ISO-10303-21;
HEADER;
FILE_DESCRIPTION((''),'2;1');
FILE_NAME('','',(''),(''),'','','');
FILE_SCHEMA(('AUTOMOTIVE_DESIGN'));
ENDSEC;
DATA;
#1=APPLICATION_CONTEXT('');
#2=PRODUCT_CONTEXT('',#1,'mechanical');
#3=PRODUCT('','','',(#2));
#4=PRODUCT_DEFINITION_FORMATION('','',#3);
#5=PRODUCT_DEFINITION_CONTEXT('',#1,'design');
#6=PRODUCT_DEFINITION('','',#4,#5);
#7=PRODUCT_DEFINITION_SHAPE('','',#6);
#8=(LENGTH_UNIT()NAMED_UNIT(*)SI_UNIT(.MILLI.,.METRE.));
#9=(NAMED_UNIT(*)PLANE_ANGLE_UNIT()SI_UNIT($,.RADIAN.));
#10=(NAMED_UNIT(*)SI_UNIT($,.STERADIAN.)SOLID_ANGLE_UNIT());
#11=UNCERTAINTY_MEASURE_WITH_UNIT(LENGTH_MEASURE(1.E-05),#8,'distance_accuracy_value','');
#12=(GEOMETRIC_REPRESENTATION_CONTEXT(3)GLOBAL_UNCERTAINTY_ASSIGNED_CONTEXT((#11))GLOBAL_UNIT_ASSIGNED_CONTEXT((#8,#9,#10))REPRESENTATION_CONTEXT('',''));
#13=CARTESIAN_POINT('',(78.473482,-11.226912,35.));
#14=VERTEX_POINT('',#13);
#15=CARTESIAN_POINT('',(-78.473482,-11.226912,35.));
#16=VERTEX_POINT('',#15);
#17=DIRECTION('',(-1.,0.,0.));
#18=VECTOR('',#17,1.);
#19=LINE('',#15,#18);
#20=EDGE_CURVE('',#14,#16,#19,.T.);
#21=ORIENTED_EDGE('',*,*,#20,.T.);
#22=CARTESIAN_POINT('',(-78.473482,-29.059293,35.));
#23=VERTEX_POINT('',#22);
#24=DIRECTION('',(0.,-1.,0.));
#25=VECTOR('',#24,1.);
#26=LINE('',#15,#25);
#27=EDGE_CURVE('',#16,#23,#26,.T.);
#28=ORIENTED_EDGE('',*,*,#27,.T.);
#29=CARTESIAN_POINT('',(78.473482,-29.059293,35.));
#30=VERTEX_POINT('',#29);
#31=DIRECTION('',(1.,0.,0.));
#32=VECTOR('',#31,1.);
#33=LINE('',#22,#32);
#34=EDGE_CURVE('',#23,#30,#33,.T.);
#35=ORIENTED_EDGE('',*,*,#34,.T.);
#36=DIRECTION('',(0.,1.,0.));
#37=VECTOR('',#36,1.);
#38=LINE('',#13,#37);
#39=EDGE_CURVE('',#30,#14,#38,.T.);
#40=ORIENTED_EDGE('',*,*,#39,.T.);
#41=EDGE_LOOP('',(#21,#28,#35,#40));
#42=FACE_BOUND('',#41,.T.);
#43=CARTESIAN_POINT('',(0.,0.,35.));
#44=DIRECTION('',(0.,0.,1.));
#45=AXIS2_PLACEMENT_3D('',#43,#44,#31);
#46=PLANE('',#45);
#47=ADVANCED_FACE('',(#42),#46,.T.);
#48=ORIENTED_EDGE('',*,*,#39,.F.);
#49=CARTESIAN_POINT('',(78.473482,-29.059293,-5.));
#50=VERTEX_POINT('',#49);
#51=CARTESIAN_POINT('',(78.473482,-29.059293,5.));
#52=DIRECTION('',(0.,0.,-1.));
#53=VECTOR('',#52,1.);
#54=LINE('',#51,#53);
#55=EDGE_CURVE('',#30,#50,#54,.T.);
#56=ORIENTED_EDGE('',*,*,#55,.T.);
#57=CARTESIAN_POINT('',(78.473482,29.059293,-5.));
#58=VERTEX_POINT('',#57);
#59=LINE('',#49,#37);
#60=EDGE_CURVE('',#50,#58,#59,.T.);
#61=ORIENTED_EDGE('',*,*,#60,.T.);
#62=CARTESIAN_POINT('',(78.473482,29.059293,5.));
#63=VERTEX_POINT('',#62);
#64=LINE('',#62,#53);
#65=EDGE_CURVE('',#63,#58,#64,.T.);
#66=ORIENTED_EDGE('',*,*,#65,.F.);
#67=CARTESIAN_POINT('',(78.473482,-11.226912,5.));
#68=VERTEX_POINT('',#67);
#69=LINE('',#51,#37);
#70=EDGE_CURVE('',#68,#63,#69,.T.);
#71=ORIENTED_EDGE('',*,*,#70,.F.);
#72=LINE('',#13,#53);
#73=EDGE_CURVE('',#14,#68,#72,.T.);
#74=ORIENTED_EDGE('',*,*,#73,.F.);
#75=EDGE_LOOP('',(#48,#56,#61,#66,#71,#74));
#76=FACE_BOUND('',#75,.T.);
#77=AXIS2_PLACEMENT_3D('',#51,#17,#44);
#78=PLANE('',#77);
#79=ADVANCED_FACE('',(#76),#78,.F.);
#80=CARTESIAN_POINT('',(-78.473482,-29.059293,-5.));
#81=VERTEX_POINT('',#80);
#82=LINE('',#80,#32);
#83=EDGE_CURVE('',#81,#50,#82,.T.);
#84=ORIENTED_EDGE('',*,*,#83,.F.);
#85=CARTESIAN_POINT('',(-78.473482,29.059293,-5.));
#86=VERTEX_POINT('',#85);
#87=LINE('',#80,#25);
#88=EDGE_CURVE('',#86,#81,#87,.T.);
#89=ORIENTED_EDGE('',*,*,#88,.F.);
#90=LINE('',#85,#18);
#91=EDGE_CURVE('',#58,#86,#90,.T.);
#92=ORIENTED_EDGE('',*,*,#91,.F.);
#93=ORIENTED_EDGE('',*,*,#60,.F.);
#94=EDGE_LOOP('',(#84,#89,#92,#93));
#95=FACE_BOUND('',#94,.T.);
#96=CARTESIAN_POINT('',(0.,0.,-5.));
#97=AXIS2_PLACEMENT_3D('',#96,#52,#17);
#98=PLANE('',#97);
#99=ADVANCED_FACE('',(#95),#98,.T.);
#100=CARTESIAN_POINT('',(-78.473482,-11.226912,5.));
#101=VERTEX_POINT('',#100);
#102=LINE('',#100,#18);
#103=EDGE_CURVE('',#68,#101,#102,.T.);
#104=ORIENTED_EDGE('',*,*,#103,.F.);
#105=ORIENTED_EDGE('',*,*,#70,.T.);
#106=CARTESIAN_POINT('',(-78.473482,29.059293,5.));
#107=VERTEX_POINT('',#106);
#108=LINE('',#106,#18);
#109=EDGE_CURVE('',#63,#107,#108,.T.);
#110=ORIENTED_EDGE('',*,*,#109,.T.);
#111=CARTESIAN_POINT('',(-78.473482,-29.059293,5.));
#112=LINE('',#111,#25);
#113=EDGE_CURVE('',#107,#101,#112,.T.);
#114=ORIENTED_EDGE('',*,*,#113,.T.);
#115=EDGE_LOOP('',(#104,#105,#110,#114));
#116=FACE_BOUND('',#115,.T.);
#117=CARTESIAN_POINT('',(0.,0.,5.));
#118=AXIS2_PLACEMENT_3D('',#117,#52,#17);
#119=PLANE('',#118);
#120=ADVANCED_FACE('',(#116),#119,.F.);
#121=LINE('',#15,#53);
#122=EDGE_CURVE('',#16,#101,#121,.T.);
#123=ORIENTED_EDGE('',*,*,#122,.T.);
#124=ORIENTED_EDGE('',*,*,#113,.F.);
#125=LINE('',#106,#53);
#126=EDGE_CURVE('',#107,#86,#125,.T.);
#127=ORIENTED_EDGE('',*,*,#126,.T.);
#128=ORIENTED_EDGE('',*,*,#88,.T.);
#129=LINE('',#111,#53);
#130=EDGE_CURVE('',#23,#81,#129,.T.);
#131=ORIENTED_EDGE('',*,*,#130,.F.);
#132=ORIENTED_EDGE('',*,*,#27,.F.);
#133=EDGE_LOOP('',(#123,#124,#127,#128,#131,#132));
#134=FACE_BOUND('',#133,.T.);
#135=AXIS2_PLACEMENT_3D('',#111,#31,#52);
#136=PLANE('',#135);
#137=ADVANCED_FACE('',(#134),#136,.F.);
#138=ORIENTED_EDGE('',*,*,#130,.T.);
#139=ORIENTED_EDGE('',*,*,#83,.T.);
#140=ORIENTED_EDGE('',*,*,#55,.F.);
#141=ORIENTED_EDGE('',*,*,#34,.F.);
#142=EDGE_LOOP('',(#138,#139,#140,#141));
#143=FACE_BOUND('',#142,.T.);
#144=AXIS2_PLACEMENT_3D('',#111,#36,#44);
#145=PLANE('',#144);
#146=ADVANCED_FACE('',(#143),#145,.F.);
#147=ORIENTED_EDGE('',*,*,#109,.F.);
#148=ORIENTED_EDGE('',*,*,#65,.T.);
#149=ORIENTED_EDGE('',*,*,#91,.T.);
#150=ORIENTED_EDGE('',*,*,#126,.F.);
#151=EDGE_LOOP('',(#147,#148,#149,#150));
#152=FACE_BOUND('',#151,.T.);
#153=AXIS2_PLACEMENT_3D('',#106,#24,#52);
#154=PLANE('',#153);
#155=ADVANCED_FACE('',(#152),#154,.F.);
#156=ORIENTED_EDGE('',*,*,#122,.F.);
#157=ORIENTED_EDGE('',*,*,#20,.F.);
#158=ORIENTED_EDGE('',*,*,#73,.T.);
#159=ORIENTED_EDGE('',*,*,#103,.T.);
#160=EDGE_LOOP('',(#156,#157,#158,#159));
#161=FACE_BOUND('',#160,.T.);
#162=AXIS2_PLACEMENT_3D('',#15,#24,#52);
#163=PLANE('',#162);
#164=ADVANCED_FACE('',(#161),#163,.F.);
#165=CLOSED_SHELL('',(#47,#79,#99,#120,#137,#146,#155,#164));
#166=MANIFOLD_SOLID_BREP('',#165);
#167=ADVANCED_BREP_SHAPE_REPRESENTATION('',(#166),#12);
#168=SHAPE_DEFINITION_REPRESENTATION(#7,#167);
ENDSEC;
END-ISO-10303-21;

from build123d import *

# Parameters (mm, degrees)
SKETCH_1_W      = 156.946964028
SKETCH_1_H      = 58.118585656
EXTRUDE_1_DEPTH = 5
SKETCH_2_W      = 156.946964028
SKETCH_2_H      = 17.832381092
EXTRUDE_2_DEPTH = 30


with BuildPart() as part:
    # 草图1 → 凸台-拉伸1 (new, symmetric)
    with BuildSketch(Plane.XY):
        Rectangle(SKETCH_1_W, SKETCH_1_H)
    extrude(amount=EXTRUDE_1_DEPTH, both=True)

    # 草图2 → 凸台-拉伸2 (add)
    with BuildSketch(Plane.XY.offset(5)):
        with Locations((0, -20.143102282)):
            Rectangle(SKETCH_2_W, SKETCH_2_H)
    extrude(amount=EXTRUDE_2_DEPTH)


solid = part.part
